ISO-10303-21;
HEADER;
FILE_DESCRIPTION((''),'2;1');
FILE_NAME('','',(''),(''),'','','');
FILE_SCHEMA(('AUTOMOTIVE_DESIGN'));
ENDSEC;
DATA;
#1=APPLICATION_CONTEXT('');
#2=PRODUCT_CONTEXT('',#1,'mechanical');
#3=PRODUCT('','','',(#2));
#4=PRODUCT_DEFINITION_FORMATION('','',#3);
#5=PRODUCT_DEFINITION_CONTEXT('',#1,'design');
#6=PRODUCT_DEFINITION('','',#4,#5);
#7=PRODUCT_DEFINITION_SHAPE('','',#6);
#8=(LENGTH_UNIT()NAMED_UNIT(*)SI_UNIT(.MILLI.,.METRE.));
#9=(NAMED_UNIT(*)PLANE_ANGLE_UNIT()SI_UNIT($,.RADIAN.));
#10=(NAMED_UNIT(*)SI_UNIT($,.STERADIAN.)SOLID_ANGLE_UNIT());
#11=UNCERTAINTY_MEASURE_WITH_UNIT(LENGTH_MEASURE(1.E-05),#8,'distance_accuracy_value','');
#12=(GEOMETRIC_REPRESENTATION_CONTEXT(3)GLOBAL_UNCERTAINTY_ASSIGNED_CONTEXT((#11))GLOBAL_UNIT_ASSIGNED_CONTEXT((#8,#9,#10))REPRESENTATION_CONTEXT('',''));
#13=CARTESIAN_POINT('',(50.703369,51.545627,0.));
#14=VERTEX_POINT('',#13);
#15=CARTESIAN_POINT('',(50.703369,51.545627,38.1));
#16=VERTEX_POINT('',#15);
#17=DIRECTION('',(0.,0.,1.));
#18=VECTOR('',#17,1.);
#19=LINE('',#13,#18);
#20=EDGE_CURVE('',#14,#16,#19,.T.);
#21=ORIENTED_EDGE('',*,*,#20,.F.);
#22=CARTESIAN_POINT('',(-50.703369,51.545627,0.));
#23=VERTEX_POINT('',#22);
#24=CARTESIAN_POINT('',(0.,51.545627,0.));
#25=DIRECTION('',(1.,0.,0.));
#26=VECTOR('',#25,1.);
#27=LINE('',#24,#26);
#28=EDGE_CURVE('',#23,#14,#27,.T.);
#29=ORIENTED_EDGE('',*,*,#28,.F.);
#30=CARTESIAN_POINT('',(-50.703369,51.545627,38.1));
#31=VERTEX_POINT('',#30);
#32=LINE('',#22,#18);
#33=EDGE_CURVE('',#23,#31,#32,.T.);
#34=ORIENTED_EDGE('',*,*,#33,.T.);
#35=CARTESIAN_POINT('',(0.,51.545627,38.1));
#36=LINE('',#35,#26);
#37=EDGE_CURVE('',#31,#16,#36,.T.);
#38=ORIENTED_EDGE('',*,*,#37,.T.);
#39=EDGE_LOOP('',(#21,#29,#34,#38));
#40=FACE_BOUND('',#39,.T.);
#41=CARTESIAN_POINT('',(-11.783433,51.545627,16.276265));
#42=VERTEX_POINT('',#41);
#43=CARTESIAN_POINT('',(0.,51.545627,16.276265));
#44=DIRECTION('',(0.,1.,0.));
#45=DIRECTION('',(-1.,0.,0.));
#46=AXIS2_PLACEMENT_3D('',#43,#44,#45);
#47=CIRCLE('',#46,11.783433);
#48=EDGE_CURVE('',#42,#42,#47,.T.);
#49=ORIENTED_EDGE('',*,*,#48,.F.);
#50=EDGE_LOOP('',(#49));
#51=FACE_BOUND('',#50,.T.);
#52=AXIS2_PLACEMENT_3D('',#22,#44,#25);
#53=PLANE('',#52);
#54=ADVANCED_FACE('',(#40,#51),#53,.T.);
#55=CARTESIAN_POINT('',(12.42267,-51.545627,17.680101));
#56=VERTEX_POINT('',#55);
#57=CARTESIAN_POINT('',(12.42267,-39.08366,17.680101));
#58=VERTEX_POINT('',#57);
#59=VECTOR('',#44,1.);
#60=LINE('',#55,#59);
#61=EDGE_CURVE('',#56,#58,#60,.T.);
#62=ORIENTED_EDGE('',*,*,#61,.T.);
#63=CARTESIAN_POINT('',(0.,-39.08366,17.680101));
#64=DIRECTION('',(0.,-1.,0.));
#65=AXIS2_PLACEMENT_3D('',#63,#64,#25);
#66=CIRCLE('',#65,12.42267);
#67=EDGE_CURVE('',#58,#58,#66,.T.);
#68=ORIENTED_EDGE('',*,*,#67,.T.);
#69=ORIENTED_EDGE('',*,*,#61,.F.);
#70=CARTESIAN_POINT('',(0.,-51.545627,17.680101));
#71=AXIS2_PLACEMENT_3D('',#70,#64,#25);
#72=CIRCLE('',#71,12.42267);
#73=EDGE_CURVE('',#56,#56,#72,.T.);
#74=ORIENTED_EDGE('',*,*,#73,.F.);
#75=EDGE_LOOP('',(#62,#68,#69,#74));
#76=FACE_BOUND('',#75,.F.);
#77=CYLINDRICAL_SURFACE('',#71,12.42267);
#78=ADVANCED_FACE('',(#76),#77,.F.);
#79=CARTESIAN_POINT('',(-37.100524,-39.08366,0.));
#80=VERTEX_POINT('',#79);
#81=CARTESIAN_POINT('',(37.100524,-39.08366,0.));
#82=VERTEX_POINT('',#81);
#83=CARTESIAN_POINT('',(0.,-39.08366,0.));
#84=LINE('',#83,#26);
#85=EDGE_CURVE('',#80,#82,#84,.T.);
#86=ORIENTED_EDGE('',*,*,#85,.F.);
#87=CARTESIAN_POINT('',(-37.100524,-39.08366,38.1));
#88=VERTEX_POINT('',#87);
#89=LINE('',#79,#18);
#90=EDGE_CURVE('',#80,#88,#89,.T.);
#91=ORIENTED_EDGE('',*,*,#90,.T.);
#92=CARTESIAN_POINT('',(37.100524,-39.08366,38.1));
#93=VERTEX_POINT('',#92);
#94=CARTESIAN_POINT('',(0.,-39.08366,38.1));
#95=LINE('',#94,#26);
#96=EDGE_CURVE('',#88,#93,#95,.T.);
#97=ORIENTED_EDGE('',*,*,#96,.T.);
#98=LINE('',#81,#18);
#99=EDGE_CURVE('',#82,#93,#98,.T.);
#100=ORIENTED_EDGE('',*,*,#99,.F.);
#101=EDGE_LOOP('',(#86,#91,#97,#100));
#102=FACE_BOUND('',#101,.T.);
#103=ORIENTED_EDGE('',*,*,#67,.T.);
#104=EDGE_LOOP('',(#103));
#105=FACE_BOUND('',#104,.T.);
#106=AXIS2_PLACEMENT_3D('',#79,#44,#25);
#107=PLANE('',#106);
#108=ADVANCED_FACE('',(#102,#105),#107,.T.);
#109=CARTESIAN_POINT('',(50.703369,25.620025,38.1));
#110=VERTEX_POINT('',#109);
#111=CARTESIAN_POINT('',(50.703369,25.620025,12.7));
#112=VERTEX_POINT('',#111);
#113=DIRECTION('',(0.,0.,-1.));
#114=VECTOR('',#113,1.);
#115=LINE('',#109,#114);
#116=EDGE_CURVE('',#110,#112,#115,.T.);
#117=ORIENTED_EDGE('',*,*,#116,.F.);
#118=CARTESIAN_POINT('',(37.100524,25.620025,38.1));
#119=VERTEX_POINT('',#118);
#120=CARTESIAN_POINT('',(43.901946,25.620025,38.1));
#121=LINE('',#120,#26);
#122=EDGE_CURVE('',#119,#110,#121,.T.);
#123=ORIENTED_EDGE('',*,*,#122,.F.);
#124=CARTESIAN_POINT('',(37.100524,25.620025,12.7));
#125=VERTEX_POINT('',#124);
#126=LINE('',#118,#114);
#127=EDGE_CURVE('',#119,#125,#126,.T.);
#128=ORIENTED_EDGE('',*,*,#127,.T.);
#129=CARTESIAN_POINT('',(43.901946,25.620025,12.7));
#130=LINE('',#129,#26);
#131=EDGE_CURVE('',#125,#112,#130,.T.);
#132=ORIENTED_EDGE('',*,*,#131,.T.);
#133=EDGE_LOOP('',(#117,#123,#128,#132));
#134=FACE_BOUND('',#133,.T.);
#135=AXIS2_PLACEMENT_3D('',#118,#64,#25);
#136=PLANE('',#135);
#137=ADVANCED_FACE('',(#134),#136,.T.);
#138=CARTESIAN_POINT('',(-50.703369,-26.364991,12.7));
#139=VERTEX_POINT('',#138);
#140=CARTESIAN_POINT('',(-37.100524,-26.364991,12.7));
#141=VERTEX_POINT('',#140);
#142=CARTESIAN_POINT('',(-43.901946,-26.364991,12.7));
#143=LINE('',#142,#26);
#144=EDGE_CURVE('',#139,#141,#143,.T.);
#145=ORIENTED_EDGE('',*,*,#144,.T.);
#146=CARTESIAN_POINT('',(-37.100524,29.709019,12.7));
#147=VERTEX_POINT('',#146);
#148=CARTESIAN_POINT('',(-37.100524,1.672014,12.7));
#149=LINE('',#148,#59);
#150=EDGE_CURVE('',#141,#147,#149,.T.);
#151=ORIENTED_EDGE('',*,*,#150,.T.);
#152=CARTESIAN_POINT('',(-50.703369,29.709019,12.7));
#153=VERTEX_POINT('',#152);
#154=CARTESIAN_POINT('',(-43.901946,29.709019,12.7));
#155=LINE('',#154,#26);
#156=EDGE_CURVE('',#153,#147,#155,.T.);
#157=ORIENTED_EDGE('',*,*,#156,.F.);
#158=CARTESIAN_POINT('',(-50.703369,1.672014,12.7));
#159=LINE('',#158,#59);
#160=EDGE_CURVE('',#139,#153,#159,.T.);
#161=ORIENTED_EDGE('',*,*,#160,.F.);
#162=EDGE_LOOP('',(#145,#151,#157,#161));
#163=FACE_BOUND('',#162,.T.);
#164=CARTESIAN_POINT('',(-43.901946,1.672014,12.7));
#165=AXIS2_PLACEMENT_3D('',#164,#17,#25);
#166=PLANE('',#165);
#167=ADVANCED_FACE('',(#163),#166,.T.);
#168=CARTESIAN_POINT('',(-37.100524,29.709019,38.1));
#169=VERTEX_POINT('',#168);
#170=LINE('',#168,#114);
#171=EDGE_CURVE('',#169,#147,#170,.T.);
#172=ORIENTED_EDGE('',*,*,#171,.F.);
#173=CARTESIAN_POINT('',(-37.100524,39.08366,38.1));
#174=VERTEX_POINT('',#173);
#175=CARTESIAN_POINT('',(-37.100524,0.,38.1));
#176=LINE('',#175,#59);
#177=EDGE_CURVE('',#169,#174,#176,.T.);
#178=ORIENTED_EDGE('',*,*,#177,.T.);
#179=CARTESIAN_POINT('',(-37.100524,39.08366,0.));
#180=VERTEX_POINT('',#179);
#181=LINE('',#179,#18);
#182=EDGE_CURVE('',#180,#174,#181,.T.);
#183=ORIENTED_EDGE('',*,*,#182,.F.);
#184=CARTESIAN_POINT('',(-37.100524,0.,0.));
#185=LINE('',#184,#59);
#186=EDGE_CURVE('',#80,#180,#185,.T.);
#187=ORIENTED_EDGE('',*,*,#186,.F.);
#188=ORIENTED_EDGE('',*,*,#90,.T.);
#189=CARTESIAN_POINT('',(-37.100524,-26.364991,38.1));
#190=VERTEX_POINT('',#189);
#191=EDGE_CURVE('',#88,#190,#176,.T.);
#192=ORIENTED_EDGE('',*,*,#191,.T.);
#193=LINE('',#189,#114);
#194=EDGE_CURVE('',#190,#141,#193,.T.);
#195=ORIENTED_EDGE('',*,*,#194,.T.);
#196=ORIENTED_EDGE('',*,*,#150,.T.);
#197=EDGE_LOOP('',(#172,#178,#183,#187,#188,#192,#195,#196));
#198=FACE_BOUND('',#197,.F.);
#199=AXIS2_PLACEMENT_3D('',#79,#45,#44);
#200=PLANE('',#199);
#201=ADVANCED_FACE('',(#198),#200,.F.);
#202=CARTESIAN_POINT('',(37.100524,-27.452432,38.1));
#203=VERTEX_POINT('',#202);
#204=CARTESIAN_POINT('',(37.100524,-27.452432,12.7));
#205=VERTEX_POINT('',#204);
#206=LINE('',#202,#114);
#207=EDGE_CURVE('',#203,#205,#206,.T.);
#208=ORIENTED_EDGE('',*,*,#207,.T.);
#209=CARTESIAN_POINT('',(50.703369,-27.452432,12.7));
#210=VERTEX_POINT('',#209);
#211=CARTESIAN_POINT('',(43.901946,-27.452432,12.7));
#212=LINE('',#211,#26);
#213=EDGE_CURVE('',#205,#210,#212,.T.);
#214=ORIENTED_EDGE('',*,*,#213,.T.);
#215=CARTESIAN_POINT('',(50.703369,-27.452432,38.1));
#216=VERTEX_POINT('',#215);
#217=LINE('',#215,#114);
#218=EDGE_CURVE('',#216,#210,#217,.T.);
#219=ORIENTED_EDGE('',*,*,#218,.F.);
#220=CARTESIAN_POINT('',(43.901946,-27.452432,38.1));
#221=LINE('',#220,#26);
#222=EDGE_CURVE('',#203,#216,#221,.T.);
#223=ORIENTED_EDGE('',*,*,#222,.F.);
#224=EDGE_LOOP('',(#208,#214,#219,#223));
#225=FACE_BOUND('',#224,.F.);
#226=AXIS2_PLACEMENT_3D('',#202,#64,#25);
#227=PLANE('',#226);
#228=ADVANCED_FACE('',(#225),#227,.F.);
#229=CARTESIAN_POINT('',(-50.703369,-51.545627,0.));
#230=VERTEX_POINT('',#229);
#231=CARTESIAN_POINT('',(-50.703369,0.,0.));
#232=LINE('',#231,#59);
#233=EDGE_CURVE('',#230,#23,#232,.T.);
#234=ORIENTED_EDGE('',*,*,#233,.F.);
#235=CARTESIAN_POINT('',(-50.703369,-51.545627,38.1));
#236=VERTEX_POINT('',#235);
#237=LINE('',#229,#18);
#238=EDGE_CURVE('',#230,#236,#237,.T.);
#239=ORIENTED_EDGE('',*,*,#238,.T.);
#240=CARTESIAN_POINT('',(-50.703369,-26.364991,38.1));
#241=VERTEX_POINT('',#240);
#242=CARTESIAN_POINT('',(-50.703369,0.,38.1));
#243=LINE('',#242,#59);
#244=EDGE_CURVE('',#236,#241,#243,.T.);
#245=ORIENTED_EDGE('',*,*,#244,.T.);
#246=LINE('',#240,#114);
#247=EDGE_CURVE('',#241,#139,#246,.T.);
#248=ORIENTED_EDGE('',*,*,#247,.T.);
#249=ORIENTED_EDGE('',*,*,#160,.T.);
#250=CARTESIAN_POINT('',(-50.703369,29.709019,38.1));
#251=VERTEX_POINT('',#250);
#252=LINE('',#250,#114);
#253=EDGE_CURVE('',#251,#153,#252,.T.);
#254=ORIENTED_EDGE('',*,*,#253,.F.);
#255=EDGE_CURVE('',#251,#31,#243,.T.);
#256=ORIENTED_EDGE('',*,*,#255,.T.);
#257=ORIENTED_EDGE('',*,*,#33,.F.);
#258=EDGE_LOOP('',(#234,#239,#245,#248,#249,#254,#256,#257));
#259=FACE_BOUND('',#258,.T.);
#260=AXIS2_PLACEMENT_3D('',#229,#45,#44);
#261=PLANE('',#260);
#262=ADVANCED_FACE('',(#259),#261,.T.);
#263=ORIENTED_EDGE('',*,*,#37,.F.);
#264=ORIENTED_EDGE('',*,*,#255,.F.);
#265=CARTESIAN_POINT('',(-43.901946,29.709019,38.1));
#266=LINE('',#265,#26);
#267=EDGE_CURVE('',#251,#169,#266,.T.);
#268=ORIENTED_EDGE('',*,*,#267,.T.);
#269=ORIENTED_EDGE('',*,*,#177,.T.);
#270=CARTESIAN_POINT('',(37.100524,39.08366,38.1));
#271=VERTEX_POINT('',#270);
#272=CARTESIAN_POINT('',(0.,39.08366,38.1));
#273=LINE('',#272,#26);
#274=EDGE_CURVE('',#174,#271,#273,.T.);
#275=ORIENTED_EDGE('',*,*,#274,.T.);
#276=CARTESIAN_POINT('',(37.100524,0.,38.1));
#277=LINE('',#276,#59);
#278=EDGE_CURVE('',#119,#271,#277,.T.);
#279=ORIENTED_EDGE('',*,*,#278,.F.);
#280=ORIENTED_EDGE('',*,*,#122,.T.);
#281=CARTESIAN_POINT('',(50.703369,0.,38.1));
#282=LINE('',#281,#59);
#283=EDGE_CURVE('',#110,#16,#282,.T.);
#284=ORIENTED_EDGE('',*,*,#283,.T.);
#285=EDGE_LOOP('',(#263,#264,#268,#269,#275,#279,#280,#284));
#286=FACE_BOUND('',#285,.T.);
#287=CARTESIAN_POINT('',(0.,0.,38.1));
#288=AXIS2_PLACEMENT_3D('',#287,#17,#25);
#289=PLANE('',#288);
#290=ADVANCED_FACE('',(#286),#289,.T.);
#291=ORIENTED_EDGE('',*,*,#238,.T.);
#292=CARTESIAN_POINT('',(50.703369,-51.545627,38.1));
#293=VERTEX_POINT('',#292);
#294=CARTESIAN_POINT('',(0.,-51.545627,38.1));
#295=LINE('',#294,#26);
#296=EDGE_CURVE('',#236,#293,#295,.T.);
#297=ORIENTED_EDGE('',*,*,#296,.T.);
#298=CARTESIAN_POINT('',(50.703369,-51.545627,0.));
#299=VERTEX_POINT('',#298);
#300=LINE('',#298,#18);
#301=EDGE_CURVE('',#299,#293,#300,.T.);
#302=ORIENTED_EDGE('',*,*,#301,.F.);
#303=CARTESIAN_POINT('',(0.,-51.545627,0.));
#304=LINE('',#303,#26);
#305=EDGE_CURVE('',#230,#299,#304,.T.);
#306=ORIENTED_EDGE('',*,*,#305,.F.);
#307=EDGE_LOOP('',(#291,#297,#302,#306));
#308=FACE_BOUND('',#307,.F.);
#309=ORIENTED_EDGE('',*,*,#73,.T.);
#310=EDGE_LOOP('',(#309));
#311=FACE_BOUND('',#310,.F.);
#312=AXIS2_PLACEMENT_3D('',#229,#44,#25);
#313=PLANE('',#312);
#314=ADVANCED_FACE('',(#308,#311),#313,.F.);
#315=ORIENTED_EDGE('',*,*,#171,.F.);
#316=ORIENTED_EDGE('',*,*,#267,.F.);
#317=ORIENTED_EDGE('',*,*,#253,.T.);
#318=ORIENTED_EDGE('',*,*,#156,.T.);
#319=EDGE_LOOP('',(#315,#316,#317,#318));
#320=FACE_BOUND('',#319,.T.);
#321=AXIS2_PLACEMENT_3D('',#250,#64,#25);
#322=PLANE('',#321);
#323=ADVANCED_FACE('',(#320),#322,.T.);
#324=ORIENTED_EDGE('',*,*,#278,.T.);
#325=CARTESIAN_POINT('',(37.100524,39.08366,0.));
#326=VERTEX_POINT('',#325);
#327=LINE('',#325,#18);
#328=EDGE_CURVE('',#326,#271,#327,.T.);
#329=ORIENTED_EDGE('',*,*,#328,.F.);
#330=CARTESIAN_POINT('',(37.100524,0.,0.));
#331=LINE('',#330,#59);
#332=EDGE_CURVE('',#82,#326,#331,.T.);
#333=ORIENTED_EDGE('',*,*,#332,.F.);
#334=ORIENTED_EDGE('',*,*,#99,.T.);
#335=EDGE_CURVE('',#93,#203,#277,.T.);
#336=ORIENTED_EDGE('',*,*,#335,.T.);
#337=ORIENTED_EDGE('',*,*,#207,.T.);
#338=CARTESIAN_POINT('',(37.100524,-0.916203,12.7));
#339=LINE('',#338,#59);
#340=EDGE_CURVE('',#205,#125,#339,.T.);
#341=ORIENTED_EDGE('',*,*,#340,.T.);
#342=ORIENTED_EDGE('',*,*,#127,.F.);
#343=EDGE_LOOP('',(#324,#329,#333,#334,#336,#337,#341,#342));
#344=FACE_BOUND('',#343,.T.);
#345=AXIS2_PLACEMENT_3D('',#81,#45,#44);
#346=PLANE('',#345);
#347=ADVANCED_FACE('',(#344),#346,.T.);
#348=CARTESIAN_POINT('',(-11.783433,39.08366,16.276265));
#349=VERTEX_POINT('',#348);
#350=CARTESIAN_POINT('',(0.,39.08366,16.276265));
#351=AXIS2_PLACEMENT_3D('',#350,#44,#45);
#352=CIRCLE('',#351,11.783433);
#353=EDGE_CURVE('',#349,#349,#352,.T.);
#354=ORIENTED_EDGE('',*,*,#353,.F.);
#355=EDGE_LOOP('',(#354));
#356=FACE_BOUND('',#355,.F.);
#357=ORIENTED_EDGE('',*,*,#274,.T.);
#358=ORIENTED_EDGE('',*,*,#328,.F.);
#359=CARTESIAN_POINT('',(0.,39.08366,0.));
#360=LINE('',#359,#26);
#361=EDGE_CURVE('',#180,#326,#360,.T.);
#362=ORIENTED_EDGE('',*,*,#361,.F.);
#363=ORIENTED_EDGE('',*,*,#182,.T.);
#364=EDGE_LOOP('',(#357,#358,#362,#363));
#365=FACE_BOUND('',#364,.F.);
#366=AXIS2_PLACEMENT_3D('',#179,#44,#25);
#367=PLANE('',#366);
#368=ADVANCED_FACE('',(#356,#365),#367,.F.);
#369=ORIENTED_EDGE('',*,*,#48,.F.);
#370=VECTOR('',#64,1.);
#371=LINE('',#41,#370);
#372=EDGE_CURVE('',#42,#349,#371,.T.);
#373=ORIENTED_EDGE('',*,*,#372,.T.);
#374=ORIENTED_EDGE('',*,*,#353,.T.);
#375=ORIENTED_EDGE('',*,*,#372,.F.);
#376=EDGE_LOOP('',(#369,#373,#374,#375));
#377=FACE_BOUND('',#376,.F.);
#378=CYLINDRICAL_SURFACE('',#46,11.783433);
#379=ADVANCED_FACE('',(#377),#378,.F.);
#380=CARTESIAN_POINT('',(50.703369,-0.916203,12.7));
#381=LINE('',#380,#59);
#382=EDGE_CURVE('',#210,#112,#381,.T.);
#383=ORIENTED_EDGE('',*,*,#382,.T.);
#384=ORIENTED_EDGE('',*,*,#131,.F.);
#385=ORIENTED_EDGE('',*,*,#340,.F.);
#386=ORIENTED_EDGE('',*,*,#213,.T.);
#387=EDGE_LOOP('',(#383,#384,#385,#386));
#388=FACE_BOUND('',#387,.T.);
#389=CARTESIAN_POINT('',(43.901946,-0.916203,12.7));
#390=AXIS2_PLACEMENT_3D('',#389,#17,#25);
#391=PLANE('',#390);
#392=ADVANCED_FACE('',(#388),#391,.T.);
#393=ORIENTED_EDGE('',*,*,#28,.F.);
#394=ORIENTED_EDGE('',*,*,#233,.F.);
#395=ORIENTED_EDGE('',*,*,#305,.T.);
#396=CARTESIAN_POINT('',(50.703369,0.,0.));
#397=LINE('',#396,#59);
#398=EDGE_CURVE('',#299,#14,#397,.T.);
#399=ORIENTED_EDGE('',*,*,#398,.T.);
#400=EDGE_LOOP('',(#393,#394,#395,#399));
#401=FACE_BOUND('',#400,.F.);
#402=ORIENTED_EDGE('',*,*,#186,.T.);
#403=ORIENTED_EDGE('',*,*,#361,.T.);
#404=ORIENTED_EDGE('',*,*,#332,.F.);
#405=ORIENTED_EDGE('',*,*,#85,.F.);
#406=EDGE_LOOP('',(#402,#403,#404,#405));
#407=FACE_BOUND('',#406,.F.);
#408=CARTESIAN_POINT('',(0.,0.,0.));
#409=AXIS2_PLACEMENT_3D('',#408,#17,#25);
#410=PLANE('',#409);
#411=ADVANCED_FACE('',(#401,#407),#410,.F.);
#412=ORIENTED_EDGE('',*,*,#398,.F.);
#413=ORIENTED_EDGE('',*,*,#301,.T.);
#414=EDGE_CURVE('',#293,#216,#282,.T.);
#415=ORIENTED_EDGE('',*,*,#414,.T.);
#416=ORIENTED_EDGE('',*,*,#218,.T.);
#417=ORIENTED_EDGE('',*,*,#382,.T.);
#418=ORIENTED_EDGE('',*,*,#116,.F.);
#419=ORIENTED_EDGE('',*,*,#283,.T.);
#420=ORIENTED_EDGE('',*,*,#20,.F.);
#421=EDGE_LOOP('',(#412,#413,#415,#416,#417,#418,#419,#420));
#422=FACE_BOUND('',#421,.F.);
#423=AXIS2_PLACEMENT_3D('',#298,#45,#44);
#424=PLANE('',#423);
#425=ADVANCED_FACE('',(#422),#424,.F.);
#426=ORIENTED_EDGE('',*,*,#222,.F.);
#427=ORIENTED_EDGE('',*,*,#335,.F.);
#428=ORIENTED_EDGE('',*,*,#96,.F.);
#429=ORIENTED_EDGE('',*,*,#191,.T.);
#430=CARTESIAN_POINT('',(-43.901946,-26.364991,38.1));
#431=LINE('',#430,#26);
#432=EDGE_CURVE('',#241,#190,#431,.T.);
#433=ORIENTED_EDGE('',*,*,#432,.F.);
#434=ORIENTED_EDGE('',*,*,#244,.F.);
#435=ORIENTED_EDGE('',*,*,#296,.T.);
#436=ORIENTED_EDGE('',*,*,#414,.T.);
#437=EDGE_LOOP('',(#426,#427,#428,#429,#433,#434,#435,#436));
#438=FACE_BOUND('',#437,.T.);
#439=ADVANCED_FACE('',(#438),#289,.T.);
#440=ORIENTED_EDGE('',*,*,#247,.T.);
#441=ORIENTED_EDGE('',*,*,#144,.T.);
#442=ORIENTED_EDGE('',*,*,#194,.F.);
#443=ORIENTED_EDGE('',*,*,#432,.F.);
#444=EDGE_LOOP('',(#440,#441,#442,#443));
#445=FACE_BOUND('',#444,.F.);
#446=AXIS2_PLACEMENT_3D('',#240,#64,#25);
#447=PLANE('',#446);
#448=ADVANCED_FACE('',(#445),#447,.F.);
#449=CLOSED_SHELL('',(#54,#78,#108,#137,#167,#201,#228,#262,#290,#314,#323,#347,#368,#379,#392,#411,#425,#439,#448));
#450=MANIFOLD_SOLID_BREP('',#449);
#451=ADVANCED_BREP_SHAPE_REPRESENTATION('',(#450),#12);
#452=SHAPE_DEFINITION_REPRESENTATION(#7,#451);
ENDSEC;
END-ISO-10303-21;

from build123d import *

# Parameters (mm, degrees)
F0_W     = 101.406738162
F0_H     = 103.0912548304
F0_W_2   = 74.2010474205
F0_H_2   = 78.1673192978
F1_DEPTH = 38.1
F2_W     = 13.6028453708
F2_H     = 56.0740102082
F3_DEPTH = 25.4
F2_H_2   = 53.0724562705
F4_DEPTH = 25.4
F5_R     = 12.4226697252
F6_DEPTH = 25.4
F7_R     = 11.7834333481
F8_DEPTH = 25.4


with BuildPart() as f1:
    # F0 (on Top) → F1 (new body)
    with BuildSketch(Plane.XY):
        Rectangle(F0_W, F0_H)
        Rectangle(F0_W_2, F0_H_2, mode=Mode.SUBTRACT)
    extrude(amount=F1_DEPTH)

    # F2 (on face) → F3 (cut)
    with BuildSketch(Plane.XY.offset(38.1)):
        with Locations((-43.9019463956, 1.6720136628)):
            Rectangle(F2_W, F2_H)
    extrude(amount=-F3_DEPTH, mode=Mode.SUBTRACT)

    # F2 (on face) → F4 (cut)
    with BuildSketch(Plane.XY.offset(38.1)):
        with Locations((43.9019463956, -0.9162034839)):
            Rectangle(F2_W, F2_H_2)
    extrude(amount=-F4_DEPTH, mode=Mode.SUBTRACT)

    # F5 (on face) → F6 (cut)
    with BuildSketch(Plane.XZ.offset(51.5456274152)):
        with Locations((0, 17.6801010966)):
            Circle(F5_R)
    extrude(amount=-F6_DEPTH, mode=Mode.SUBTRACT)

    # F7 (on face) → F8 (cut)
    with BuildSketch(Plane(origin=(0, 51.5456274152, 0), x_dir=(-1, 0, 0), z_dir=(0, 1, 0))):
        with Locations((0, 16.2762645632)):
            Circle(F7_R)
    extrude(amount=-F8_DEPTH, mode=Mode.SUBTRACT)


solid = f1.part
